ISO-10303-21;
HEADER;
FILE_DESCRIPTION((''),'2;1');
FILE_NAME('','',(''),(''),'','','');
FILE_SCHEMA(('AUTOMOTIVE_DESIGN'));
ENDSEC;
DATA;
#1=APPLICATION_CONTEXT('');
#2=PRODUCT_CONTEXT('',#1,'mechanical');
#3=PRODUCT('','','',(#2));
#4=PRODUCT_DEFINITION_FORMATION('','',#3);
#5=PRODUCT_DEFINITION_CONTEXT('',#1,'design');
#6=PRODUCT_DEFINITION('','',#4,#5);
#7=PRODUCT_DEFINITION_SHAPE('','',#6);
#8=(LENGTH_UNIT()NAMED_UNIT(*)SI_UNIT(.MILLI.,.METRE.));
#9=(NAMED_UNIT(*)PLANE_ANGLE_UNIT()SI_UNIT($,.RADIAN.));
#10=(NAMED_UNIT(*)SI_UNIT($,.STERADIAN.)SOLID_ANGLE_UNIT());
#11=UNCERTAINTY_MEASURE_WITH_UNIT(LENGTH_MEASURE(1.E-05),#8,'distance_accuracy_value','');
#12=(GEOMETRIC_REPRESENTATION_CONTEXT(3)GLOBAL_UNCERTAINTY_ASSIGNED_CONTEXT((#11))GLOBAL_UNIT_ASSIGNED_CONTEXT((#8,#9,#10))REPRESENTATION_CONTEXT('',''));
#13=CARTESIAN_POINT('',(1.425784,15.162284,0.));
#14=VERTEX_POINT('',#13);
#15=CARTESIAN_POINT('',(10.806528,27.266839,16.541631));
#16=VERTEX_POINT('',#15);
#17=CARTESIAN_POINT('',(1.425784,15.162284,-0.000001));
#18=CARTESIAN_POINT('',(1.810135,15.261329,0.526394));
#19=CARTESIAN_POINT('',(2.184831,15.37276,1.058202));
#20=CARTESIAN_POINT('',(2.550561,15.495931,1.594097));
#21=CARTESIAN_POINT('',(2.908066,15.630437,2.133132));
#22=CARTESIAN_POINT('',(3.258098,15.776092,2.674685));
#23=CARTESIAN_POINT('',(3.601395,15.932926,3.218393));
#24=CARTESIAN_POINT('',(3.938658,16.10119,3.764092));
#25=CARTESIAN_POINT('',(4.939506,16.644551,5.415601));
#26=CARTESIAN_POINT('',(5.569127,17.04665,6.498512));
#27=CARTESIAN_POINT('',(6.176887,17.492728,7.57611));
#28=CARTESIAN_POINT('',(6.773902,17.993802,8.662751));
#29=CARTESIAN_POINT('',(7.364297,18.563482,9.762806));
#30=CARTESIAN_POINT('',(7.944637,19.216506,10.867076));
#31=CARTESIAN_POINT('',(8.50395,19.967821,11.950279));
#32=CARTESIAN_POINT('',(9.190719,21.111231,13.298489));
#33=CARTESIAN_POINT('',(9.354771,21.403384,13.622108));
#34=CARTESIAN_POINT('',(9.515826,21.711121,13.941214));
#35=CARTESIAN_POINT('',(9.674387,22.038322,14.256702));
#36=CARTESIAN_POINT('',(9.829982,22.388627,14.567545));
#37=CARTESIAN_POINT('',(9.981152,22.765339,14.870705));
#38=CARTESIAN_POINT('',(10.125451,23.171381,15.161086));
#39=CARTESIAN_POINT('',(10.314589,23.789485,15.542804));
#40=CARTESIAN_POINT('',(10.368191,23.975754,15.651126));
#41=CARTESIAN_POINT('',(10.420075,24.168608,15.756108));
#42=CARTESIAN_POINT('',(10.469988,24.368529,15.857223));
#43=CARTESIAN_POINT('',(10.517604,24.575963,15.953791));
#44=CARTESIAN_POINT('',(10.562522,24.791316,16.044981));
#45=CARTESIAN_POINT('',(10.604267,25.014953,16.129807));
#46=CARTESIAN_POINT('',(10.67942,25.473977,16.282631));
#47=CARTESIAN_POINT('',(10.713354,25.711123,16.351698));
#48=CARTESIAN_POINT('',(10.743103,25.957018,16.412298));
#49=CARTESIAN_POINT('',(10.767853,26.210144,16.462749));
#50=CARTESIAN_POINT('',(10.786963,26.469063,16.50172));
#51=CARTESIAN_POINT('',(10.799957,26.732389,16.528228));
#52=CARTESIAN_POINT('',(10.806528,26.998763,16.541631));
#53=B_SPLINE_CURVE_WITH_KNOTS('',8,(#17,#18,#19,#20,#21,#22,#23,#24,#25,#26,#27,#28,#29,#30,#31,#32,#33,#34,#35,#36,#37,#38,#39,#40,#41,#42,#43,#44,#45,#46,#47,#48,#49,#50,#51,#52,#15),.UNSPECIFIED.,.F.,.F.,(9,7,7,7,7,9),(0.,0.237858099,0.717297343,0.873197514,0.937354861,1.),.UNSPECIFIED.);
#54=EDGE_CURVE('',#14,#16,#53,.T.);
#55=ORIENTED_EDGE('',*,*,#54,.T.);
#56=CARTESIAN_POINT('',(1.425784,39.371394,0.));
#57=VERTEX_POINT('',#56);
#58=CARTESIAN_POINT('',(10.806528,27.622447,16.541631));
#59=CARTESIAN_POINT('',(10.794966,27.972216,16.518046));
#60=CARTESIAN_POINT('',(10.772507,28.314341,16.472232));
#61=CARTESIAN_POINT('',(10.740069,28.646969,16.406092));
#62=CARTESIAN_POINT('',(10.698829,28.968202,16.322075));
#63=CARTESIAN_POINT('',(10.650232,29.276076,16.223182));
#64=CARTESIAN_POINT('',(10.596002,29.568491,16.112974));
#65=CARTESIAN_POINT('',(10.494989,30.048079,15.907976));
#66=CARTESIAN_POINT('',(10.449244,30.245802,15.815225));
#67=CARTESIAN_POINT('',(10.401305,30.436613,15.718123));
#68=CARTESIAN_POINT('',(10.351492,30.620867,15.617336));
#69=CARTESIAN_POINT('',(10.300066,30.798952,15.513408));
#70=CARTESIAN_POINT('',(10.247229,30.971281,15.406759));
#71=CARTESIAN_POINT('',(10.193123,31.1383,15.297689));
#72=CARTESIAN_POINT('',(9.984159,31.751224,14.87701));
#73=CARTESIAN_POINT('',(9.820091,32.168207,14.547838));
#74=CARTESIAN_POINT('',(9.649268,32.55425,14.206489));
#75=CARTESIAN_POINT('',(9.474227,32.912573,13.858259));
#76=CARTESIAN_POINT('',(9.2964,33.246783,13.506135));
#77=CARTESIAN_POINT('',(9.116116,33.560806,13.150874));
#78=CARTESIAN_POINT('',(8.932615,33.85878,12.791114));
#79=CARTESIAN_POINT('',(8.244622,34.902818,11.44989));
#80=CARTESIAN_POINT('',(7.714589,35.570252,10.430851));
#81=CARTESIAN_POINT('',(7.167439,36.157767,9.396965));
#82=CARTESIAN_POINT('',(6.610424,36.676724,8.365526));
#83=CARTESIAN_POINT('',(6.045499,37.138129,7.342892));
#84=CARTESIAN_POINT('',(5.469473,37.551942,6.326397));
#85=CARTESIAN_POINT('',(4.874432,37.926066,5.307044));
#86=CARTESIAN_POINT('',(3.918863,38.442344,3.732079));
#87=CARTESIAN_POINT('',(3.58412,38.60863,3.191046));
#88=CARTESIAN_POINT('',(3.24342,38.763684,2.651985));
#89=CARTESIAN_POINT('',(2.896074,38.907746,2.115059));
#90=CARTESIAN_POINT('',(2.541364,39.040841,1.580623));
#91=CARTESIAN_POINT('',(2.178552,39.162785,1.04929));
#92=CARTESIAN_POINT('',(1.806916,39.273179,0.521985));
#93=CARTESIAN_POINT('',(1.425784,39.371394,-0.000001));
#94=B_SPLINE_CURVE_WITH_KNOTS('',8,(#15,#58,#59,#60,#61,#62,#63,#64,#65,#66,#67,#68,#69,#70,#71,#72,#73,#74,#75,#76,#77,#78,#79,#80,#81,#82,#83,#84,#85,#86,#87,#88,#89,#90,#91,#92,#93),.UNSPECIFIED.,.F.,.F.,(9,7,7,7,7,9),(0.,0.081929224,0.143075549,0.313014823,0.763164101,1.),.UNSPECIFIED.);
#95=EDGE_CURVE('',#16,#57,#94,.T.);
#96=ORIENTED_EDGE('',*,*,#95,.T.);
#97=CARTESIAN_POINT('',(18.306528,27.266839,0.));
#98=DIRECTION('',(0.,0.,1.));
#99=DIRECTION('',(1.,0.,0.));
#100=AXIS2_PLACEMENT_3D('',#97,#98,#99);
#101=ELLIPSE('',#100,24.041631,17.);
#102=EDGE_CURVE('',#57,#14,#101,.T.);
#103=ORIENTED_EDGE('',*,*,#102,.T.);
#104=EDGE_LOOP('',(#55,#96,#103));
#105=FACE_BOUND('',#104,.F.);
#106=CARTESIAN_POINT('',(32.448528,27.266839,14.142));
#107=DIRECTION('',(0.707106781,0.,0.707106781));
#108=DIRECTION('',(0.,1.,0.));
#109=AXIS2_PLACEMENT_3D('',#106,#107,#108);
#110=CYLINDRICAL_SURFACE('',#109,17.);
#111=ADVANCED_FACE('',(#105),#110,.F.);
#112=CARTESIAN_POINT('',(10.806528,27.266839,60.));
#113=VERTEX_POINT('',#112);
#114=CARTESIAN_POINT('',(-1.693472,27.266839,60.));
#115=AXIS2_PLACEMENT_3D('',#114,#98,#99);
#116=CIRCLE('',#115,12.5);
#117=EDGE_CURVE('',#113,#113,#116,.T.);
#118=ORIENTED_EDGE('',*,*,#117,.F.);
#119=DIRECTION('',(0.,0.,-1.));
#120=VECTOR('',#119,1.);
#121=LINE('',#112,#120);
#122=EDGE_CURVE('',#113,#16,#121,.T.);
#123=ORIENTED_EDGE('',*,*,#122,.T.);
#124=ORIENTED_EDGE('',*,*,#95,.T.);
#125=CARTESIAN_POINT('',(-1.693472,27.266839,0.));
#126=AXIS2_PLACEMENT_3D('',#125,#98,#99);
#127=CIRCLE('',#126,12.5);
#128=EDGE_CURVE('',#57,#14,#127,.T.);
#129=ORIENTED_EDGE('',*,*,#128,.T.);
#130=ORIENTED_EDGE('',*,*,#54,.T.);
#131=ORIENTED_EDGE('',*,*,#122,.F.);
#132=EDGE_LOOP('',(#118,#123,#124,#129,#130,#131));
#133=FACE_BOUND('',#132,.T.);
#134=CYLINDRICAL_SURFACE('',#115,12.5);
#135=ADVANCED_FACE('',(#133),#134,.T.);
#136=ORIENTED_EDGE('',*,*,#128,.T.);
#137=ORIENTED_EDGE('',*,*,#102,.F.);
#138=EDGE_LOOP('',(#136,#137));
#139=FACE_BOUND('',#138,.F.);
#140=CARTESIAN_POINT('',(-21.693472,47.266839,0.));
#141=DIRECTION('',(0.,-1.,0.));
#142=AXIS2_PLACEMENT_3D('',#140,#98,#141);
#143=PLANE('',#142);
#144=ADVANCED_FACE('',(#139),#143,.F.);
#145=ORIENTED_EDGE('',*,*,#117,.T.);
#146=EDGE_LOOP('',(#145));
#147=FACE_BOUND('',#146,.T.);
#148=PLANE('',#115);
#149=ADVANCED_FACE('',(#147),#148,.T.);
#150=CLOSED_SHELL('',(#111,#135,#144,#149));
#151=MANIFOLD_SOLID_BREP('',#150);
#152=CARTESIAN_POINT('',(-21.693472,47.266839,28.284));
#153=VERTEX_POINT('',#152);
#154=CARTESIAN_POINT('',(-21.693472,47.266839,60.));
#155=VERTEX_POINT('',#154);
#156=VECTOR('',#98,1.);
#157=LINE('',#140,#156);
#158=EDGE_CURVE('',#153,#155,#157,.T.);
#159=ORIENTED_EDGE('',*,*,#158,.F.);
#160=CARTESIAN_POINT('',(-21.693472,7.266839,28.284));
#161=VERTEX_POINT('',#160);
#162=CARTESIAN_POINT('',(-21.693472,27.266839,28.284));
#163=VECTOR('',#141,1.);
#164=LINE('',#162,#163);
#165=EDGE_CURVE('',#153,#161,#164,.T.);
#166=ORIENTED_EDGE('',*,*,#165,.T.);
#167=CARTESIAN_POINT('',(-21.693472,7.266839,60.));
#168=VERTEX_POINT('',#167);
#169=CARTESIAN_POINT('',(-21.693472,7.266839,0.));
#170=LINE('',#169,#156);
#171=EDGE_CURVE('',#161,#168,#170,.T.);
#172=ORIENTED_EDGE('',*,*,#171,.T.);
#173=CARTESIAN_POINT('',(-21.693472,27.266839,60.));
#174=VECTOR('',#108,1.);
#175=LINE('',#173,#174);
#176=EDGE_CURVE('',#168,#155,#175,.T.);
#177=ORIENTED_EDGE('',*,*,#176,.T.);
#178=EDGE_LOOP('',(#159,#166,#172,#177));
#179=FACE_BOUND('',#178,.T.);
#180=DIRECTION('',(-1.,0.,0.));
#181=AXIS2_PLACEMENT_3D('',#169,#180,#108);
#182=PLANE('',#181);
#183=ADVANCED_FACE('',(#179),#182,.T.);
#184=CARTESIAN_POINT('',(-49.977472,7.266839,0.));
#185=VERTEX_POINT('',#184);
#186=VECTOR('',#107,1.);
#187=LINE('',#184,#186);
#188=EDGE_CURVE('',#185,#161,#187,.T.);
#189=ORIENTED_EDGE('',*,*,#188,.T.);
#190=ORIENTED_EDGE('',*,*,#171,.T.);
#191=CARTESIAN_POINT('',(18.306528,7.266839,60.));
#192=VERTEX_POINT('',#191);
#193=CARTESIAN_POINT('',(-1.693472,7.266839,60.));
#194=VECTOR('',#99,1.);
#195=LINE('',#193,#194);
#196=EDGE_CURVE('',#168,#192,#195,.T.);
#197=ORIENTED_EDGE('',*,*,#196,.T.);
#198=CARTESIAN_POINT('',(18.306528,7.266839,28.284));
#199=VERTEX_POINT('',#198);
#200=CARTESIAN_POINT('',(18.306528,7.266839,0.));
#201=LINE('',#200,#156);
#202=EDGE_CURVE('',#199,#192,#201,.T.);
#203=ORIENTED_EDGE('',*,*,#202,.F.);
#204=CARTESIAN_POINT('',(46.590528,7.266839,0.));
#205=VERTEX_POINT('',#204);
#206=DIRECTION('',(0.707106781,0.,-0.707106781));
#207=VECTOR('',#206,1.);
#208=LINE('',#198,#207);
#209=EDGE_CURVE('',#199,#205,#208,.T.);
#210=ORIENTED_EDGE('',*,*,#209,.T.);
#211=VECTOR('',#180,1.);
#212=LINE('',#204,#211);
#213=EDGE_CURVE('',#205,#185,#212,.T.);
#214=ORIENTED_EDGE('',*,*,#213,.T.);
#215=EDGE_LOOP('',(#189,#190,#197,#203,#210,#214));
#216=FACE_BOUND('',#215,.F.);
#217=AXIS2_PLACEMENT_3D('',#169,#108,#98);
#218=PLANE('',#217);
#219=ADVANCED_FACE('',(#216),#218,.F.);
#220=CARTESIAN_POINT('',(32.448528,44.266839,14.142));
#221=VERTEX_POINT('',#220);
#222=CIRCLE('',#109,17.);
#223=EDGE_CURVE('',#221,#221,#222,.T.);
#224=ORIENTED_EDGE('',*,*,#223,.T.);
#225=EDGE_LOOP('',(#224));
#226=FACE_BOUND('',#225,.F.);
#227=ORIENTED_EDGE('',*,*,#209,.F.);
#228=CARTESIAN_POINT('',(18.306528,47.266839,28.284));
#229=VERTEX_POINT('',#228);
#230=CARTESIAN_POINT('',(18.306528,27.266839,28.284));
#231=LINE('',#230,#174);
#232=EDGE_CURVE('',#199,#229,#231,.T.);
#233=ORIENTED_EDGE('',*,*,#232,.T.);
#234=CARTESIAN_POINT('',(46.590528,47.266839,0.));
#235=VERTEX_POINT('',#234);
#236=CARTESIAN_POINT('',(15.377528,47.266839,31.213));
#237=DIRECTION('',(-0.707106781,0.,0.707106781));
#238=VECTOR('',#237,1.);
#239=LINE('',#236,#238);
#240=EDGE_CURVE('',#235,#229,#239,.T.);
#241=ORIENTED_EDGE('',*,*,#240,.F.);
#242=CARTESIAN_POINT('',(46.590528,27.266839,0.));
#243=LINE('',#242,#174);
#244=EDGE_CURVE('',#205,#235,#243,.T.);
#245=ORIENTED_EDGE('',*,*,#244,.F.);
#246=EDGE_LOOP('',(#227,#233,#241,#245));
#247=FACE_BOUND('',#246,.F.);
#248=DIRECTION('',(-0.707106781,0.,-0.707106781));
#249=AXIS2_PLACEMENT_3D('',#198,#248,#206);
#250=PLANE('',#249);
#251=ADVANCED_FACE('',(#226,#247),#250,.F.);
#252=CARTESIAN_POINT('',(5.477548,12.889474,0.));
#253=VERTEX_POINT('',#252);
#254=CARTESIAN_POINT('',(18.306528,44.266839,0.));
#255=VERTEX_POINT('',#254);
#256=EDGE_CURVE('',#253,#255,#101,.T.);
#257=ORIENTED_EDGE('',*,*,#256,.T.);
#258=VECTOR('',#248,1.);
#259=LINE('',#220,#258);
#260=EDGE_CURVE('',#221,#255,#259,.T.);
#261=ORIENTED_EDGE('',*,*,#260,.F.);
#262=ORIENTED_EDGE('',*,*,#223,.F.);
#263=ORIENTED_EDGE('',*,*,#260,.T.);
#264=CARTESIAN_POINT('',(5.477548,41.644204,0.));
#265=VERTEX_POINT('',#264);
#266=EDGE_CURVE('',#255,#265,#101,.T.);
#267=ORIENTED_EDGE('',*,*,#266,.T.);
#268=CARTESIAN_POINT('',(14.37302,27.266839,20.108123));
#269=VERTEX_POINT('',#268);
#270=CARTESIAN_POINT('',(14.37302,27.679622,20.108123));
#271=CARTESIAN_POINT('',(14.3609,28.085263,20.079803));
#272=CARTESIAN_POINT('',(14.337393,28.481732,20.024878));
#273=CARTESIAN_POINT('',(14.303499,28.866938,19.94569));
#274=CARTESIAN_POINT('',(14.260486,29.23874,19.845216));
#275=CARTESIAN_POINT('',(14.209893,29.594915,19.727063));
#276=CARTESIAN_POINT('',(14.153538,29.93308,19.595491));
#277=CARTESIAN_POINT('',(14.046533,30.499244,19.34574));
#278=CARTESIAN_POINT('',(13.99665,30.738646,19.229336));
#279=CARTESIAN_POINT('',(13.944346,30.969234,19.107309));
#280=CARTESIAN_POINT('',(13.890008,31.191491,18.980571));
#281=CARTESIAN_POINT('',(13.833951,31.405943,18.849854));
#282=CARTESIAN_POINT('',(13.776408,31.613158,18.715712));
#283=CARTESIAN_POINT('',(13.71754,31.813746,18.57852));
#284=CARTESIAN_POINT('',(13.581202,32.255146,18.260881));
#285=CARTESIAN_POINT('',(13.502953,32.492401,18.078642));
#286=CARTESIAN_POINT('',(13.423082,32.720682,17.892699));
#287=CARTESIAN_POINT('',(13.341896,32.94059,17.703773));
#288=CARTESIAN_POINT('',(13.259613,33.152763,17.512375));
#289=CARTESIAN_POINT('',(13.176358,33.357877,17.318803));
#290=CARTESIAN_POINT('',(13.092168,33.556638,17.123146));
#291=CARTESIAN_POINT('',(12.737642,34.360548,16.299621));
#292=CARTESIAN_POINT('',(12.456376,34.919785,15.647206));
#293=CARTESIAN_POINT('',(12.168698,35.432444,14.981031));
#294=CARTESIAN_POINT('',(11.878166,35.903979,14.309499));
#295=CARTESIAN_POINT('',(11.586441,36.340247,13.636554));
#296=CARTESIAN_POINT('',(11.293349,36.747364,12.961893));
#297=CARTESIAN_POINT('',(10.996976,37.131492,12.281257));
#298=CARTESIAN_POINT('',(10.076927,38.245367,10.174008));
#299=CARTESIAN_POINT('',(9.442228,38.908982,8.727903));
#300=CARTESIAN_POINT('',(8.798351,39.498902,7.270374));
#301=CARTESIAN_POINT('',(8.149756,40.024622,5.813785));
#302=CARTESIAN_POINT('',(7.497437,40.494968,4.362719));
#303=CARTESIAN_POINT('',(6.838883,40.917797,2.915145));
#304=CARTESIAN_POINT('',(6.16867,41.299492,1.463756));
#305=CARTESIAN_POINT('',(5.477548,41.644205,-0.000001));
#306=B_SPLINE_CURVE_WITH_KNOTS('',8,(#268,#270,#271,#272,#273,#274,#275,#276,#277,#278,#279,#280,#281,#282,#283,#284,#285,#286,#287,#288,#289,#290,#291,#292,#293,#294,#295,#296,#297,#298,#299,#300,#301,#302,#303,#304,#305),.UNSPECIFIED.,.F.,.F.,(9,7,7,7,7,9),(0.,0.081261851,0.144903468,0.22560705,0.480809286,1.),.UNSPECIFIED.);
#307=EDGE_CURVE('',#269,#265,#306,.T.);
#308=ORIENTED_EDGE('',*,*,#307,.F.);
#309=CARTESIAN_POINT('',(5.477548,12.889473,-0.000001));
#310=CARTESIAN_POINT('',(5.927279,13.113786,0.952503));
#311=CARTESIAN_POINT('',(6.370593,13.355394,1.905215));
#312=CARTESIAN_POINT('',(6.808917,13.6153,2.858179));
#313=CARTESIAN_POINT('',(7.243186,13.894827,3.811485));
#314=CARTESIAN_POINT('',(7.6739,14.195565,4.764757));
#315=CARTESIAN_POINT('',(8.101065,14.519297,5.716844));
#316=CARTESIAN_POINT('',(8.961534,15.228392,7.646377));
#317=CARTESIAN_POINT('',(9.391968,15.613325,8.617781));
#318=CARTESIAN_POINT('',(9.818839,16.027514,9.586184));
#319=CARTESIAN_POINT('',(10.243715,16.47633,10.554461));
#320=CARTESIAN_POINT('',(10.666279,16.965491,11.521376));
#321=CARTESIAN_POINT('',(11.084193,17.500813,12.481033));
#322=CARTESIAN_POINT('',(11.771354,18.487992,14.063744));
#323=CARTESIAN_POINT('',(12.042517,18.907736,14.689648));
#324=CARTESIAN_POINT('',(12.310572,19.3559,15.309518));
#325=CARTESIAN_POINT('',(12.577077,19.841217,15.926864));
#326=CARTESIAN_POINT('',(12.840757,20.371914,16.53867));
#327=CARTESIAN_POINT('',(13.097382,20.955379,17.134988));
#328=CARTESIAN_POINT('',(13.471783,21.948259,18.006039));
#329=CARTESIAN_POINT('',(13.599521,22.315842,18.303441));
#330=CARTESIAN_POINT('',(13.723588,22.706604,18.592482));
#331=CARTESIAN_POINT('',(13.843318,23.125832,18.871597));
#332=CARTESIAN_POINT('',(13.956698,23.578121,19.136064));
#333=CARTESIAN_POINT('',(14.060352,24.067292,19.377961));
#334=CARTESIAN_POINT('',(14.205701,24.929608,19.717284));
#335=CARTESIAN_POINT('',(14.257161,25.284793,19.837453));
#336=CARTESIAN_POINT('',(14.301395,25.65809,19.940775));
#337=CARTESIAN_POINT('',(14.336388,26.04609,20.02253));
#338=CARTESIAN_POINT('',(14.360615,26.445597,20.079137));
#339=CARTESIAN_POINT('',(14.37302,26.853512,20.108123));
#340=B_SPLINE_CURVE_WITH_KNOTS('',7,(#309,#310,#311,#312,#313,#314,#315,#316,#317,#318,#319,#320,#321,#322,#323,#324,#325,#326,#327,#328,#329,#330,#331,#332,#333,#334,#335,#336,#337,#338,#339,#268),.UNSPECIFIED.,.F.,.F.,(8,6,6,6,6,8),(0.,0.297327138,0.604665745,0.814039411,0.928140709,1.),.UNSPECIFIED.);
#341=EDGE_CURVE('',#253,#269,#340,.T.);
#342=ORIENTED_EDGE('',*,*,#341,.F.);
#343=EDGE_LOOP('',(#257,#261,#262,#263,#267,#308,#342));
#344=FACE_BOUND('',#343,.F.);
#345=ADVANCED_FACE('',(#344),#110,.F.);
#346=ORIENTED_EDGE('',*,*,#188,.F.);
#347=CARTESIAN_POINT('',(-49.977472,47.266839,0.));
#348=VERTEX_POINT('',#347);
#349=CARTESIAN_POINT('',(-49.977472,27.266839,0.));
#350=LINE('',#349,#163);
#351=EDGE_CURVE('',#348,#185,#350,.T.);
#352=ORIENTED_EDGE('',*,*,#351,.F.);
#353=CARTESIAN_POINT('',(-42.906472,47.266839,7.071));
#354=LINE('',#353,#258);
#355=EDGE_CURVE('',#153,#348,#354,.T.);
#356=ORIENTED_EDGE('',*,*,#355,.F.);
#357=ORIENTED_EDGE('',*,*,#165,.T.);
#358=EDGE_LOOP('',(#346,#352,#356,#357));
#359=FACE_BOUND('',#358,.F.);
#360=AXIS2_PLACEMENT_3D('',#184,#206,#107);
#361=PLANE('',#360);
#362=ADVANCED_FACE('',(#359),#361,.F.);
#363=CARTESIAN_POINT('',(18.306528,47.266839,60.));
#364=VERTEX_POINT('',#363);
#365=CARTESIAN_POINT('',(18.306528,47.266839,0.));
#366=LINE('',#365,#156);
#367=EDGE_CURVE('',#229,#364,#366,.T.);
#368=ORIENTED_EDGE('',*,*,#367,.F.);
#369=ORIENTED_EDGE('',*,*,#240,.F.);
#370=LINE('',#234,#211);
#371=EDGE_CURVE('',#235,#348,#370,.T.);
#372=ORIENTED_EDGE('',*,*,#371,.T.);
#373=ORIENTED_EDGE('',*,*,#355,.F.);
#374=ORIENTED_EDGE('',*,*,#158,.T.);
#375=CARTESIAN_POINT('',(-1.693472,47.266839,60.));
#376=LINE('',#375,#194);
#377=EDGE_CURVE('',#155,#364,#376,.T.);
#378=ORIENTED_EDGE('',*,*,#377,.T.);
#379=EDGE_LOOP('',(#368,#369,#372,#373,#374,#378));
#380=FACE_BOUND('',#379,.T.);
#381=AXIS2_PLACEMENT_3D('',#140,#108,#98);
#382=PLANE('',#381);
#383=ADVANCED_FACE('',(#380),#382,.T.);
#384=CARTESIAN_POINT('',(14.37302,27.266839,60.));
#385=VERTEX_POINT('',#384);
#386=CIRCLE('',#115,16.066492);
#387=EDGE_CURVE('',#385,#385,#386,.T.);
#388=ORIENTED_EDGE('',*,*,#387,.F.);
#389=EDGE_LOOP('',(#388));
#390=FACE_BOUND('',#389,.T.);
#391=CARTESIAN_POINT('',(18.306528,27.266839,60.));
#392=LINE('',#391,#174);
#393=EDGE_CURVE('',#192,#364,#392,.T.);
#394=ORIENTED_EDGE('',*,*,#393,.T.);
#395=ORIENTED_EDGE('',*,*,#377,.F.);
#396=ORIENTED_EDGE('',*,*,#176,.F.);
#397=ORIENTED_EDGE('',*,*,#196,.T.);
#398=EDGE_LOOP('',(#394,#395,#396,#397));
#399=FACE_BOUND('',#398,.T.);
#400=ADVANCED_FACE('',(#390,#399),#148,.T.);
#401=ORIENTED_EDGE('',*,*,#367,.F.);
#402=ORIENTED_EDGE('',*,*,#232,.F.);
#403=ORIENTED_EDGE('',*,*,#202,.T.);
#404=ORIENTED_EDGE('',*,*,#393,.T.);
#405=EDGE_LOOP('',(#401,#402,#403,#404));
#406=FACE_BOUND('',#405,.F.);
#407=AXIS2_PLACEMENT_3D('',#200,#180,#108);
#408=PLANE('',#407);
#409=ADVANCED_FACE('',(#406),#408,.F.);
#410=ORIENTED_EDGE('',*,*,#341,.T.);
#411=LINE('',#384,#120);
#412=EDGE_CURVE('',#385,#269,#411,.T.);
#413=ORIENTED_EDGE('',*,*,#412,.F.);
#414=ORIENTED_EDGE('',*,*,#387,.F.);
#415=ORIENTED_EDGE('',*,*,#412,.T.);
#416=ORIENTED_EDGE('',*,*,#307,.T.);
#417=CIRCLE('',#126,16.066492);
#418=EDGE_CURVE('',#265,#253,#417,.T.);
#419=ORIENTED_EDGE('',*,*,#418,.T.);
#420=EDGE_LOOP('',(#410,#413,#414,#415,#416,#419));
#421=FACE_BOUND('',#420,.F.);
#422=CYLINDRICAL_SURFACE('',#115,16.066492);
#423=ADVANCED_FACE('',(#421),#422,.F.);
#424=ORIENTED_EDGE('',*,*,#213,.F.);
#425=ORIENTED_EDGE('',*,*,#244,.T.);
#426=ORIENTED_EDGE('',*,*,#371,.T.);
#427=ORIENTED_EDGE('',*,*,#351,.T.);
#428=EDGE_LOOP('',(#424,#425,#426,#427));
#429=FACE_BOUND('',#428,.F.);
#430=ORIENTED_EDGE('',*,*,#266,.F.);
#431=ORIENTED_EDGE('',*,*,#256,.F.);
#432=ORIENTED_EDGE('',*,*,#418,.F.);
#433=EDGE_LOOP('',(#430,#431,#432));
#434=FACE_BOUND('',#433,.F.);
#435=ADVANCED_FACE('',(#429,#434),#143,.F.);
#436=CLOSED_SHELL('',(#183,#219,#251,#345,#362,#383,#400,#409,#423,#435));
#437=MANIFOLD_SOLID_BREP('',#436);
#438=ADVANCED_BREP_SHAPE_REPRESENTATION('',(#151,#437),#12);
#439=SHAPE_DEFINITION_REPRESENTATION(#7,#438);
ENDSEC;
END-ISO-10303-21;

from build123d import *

# Parameters (mm, degrees)
F0_W      = 40
F0_H      = 40
F1_DEPTH  = 60
F2_W      = 40
F2_H      = 28.284
F3_DEPTH  = 28.284
F4_W      = 40
F4_H      = 28.284
F5_DEPTH  = 28.284
F7_DEPTH  = 40.001
F8_R      = 16.066492
F8_R_2    = 12.5
F9_DEPTH  = 60.001
F10_R     = 17
F11_DEPTH = 68.284888


with BuildPart() as f1:
    # F0 (on Top) → F1 (new body)
    with BuildSketch(Plane.XY):
        with Locations((-1.693472, 27.266839)):
            Rectangle(F0_W, F0_H)
    extrude(amount=F1_DEPTH)

    # F2 (on face) → F3 (join)
    with BuildSketch(Plane.YZ.offset(18.306528)):
        with Locations((27.266839, 14.142)):
            Rectangle(F2_W, F2_H)
    extrude(amount=F3_DEPTH)

    # F4 (on face) → F5 (join)
    with BuildSketch(Plane(origin=(-21.693472, 0, 0), x_dir=(0, -1, 0), z_dir=(-1, 0, 0))):
        with Locations((-27.266839, 14.142)):
            Rectangle(F4_W, F4_H)
    extrude(amount=F5_DEPTH)

    # F6 (on face) → F7 (cut, through all)
    with BuildSketch(Plane.XZ.offset(-7.266839)):
        Polygon((-49.977472, 0), (-21.693472, 28.284), (-49.977472, 28.284), align=None)
        Polygon((18.306528, 28.284), (46.590528, 0), (46.590528, 28.284), align=None)
    extrude(amount=-F7_DEPTH, mode=Mode.SUBTRACT)

    # F8 (on face) → F9 (cut, through all)
    with BuildSketch(Plane.XY.offset(60)):
        with Locations((-1.693472, 27.266839)):
            Circle(F8_R)
        with Locations((-1.693472, 27.266839)):
            Circle(F8_R_2, mode=Mode.SUBTRACT)
    extrude(amount=-F9_DEPTH, mode=Mode.SUBTRACT)

    # F10 (on face) → F11 (cut, through all)
    with BuildSketch(Plane(origin=(23.295264, 0, 23.295264), x_dir=(0, 1, 0), z_dir=(0.707107, 0, 0.707107))):
        with Locations((27.266839, -12.94467)):
            Circle(F10_R)
    extrude(amount=-F11_DEPTH, mode=Mode.SUBTRACT)


solid = f1.part
